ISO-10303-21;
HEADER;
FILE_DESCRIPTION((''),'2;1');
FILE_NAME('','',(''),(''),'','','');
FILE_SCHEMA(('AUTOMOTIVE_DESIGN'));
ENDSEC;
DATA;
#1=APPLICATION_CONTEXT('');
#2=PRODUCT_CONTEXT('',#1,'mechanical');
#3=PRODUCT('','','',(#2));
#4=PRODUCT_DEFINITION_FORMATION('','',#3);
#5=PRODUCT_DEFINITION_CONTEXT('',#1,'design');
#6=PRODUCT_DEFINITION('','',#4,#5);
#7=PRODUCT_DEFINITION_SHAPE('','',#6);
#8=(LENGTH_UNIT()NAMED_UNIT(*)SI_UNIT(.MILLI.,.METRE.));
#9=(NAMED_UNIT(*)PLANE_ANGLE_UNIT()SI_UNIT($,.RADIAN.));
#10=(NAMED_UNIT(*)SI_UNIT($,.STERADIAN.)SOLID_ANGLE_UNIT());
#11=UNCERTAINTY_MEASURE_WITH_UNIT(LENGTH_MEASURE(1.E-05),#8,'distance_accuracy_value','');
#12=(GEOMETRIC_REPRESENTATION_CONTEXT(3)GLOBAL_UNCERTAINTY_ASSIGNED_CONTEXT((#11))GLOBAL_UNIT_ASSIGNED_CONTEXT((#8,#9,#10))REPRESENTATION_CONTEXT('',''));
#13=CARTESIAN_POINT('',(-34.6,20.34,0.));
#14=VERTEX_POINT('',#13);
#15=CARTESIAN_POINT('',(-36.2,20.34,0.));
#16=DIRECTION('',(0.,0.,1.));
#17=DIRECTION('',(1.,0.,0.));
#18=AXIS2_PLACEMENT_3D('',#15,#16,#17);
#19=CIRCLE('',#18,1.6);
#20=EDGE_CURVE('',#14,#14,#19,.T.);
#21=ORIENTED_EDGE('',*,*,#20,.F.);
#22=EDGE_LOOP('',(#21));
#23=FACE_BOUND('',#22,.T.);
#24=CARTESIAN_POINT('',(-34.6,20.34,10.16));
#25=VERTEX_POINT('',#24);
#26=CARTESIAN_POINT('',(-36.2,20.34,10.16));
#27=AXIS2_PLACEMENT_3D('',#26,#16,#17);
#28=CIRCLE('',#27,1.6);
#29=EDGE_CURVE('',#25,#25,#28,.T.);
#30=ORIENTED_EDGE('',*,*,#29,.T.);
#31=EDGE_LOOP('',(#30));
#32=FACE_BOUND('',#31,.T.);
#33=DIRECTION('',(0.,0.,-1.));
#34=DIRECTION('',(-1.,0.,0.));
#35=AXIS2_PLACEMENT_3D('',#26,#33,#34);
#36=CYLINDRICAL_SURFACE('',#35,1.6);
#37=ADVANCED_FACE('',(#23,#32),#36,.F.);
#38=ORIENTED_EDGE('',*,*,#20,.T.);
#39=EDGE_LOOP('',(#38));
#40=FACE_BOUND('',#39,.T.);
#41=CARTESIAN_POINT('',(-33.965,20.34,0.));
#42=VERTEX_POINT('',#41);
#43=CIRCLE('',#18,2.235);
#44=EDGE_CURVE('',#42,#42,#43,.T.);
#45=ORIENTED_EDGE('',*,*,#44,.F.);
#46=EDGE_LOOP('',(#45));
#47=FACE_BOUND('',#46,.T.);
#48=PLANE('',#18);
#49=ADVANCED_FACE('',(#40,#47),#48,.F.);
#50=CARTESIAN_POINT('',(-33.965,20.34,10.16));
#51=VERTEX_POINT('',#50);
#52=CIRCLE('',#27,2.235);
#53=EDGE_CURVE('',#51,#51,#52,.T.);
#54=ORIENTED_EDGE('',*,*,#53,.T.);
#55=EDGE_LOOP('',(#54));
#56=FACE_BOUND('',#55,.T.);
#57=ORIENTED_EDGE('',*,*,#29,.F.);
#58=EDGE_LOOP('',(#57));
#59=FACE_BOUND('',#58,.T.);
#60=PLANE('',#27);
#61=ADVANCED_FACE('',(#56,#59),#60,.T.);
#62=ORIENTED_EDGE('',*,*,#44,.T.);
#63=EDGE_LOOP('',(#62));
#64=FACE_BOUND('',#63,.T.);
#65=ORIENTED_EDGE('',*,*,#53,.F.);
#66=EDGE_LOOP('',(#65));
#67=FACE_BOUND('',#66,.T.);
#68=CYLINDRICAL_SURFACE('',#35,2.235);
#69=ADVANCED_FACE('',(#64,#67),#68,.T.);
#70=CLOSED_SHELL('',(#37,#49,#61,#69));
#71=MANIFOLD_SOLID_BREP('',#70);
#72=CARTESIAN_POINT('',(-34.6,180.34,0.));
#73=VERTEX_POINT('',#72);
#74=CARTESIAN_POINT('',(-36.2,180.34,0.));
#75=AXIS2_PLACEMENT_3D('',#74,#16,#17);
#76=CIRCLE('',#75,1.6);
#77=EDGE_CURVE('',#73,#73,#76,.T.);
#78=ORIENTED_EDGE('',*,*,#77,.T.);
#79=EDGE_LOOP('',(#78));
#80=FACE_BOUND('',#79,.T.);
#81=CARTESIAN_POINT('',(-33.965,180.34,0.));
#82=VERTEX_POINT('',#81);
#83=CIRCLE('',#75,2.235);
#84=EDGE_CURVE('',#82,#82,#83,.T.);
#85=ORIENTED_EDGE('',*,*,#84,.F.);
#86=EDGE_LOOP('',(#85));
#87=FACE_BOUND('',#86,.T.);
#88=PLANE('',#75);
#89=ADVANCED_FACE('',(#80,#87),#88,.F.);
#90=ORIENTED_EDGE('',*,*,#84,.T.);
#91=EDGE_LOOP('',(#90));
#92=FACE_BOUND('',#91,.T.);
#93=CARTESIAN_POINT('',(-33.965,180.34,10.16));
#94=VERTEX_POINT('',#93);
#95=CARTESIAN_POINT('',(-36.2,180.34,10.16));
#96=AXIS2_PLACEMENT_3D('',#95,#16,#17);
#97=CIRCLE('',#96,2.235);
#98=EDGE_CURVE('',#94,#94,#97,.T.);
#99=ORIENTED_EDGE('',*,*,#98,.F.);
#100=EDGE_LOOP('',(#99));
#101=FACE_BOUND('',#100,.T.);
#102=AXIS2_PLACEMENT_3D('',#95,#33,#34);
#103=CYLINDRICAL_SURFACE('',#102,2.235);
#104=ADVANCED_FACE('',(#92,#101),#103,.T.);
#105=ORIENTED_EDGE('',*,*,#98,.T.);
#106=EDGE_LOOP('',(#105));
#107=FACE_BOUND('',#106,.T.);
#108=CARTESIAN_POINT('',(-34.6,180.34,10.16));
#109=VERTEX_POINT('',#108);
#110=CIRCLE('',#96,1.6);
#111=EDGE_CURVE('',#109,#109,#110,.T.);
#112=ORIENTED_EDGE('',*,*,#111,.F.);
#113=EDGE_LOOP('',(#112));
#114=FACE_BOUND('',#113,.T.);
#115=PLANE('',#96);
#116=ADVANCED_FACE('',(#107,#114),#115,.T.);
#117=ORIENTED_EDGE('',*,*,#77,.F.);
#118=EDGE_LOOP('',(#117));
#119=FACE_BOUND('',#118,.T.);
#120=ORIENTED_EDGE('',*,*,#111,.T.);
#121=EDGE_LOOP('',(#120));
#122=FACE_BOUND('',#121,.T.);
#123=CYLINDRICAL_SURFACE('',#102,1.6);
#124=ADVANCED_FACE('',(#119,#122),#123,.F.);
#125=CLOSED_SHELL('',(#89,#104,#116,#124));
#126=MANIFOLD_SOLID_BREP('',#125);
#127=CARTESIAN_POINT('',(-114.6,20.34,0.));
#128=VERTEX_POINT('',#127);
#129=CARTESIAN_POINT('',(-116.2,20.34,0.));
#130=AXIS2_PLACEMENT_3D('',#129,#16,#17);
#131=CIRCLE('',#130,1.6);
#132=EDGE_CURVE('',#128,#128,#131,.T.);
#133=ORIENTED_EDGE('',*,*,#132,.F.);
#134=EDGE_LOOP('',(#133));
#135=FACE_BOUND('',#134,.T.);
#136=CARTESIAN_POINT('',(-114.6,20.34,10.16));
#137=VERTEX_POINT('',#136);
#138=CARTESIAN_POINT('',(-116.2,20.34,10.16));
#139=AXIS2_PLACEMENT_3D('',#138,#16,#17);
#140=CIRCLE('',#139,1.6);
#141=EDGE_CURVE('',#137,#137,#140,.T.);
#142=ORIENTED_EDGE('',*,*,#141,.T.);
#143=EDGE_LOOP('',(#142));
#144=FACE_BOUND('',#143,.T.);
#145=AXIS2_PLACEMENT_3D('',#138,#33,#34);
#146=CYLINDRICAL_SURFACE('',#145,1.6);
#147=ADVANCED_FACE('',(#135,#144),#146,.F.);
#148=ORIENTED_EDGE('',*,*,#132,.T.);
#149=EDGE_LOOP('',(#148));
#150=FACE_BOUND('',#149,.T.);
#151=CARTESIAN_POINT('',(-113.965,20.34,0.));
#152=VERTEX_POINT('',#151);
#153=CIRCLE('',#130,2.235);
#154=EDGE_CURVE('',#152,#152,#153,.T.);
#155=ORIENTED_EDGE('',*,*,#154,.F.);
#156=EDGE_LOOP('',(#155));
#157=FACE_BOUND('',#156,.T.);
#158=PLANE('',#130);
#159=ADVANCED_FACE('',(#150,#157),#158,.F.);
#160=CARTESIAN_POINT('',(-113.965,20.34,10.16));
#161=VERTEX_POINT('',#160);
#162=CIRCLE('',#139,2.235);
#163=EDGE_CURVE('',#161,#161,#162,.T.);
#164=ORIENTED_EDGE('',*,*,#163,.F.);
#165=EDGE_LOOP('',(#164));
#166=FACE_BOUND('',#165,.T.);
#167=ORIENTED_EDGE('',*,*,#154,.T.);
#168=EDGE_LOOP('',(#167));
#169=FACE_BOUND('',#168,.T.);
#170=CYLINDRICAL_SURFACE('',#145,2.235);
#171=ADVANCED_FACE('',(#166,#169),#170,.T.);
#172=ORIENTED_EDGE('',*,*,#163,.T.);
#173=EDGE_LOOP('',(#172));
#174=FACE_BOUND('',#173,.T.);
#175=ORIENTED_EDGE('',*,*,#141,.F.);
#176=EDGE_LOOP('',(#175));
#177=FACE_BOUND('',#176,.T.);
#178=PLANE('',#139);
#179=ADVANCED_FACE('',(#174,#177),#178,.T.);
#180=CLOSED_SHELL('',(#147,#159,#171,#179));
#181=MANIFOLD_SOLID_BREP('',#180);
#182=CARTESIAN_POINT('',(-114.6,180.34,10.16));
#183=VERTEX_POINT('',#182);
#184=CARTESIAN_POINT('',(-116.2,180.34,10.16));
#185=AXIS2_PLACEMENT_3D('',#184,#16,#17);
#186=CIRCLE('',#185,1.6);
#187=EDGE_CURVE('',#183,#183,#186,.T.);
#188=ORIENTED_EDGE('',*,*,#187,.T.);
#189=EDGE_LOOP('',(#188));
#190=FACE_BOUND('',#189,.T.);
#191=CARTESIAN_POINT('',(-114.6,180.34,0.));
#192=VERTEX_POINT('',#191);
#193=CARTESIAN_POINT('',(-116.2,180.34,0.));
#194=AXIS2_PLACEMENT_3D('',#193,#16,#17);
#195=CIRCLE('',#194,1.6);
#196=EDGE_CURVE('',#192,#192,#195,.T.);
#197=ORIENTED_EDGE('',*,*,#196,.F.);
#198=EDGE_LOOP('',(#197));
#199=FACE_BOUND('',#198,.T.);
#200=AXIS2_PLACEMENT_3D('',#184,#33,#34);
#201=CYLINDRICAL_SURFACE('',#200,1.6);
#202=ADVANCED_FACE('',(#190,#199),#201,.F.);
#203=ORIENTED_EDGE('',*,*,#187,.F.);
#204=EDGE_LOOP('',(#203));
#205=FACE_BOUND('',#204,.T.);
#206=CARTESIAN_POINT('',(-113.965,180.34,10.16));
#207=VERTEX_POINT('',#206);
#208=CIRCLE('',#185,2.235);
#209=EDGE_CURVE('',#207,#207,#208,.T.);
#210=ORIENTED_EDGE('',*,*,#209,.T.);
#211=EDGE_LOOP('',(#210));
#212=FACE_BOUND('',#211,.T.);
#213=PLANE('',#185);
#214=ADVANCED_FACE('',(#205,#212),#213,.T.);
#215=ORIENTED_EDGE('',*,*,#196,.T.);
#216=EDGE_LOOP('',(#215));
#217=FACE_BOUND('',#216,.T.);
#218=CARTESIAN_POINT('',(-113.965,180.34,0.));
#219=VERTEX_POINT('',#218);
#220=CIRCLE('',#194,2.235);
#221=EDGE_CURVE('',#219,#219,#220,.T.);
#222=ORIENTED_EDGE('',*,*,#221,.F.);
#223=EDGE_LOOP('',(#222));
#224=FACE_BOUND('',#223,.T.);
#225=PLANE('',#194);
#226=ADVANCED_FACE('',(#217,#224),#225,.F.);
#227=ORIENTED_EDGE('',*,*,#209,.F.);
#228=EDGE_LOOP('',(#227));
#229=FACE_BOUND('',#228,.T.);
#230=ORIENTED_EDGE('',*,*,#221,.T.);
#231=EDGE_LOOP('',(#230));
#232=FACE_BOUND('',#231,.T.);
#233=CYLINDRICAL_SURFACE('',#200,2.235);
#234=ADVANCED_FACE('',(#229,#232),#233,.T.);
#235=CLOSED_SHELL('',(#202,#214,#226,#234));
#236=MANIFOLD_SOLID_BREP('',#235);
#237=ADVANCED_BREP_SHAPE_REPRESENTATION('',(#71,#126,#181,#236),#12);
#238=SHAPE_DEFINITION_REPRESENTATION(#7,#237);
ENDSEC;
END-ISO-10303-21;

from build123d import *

# Parameters (mm, degrees)
SKETCH1_R             = 2.234999975
SKETCH1_R_2           = 1.599999975
BOSS_EXTRUDE1_DEPTH   = 10.16
BOSS_EXTRUDE1_2_DEPTH = 10.16
BOSS_EXTRUDE1_3_DEPTH = 10.16
BOSS_EXTRUDE1_4_DEPTH = 10.16


with BuildPart() as part:
    # Sketch1 → Boss-Extrude1 (new body)
    with BuildSketch(Plane.XY):
        with Locations((-116.2, 180.34)):
            Circle(SKETCH1_R)
        with Locations((-116.2, 180.34)):
            Circle(SKETCH1_R_2, mode=Mode.SUBTRACT)
    extrude(amount=BOSS_EXTRUDE1_DEPTH)


with BuildPart() as body_2:
    # Sketch1 → Boss-Extrude1 2 (new body)
    with BuildSketch(Plane.XY):
        with Locations((-36.2, 180.34)):
            Circle(SKETCH1_R)
        with Locations((-36.2, 180.34)):
            Circle(SKETCH1_R_2, mode=Mode.SUBTRACT)
    extrude(amount=BOSS_EXTRUDE1_2_DEPTH)


with BuildPart() as body_3:
    # Sketch1 → Boss-Extrude1 3 (new body)
    with BuildSketch(Plane.XY):
        with Locations((-116.2, 20.34)):
            Circle(SKETCH1_R)
        with Locations((-116.2, 20.34)):
            Circle(SKETCH1_R_2, mode=Mode.SUBTRACT)
    extrude(amount=BOSS_EXTRUDE1_3_DEPTH)


with BuildPart() as body_4:
    # Sketch1 → Boss-Extrude1 4 (new body)
    with BuildSketch(Plane.XY):
        with Locations((-36.2, 20.34)):
            Circle(SKETCH1_R)
        with Locations((-36.2, 20.34)):
            Circle(SKETCH1_R_2, mode=Mode.SUBTRACT)
    extrude(amount=BOSS_EXTRUDE1_4_DEPTH)


solid = Compound([part.part, body_2.part, body_3.part, body_4.part])
